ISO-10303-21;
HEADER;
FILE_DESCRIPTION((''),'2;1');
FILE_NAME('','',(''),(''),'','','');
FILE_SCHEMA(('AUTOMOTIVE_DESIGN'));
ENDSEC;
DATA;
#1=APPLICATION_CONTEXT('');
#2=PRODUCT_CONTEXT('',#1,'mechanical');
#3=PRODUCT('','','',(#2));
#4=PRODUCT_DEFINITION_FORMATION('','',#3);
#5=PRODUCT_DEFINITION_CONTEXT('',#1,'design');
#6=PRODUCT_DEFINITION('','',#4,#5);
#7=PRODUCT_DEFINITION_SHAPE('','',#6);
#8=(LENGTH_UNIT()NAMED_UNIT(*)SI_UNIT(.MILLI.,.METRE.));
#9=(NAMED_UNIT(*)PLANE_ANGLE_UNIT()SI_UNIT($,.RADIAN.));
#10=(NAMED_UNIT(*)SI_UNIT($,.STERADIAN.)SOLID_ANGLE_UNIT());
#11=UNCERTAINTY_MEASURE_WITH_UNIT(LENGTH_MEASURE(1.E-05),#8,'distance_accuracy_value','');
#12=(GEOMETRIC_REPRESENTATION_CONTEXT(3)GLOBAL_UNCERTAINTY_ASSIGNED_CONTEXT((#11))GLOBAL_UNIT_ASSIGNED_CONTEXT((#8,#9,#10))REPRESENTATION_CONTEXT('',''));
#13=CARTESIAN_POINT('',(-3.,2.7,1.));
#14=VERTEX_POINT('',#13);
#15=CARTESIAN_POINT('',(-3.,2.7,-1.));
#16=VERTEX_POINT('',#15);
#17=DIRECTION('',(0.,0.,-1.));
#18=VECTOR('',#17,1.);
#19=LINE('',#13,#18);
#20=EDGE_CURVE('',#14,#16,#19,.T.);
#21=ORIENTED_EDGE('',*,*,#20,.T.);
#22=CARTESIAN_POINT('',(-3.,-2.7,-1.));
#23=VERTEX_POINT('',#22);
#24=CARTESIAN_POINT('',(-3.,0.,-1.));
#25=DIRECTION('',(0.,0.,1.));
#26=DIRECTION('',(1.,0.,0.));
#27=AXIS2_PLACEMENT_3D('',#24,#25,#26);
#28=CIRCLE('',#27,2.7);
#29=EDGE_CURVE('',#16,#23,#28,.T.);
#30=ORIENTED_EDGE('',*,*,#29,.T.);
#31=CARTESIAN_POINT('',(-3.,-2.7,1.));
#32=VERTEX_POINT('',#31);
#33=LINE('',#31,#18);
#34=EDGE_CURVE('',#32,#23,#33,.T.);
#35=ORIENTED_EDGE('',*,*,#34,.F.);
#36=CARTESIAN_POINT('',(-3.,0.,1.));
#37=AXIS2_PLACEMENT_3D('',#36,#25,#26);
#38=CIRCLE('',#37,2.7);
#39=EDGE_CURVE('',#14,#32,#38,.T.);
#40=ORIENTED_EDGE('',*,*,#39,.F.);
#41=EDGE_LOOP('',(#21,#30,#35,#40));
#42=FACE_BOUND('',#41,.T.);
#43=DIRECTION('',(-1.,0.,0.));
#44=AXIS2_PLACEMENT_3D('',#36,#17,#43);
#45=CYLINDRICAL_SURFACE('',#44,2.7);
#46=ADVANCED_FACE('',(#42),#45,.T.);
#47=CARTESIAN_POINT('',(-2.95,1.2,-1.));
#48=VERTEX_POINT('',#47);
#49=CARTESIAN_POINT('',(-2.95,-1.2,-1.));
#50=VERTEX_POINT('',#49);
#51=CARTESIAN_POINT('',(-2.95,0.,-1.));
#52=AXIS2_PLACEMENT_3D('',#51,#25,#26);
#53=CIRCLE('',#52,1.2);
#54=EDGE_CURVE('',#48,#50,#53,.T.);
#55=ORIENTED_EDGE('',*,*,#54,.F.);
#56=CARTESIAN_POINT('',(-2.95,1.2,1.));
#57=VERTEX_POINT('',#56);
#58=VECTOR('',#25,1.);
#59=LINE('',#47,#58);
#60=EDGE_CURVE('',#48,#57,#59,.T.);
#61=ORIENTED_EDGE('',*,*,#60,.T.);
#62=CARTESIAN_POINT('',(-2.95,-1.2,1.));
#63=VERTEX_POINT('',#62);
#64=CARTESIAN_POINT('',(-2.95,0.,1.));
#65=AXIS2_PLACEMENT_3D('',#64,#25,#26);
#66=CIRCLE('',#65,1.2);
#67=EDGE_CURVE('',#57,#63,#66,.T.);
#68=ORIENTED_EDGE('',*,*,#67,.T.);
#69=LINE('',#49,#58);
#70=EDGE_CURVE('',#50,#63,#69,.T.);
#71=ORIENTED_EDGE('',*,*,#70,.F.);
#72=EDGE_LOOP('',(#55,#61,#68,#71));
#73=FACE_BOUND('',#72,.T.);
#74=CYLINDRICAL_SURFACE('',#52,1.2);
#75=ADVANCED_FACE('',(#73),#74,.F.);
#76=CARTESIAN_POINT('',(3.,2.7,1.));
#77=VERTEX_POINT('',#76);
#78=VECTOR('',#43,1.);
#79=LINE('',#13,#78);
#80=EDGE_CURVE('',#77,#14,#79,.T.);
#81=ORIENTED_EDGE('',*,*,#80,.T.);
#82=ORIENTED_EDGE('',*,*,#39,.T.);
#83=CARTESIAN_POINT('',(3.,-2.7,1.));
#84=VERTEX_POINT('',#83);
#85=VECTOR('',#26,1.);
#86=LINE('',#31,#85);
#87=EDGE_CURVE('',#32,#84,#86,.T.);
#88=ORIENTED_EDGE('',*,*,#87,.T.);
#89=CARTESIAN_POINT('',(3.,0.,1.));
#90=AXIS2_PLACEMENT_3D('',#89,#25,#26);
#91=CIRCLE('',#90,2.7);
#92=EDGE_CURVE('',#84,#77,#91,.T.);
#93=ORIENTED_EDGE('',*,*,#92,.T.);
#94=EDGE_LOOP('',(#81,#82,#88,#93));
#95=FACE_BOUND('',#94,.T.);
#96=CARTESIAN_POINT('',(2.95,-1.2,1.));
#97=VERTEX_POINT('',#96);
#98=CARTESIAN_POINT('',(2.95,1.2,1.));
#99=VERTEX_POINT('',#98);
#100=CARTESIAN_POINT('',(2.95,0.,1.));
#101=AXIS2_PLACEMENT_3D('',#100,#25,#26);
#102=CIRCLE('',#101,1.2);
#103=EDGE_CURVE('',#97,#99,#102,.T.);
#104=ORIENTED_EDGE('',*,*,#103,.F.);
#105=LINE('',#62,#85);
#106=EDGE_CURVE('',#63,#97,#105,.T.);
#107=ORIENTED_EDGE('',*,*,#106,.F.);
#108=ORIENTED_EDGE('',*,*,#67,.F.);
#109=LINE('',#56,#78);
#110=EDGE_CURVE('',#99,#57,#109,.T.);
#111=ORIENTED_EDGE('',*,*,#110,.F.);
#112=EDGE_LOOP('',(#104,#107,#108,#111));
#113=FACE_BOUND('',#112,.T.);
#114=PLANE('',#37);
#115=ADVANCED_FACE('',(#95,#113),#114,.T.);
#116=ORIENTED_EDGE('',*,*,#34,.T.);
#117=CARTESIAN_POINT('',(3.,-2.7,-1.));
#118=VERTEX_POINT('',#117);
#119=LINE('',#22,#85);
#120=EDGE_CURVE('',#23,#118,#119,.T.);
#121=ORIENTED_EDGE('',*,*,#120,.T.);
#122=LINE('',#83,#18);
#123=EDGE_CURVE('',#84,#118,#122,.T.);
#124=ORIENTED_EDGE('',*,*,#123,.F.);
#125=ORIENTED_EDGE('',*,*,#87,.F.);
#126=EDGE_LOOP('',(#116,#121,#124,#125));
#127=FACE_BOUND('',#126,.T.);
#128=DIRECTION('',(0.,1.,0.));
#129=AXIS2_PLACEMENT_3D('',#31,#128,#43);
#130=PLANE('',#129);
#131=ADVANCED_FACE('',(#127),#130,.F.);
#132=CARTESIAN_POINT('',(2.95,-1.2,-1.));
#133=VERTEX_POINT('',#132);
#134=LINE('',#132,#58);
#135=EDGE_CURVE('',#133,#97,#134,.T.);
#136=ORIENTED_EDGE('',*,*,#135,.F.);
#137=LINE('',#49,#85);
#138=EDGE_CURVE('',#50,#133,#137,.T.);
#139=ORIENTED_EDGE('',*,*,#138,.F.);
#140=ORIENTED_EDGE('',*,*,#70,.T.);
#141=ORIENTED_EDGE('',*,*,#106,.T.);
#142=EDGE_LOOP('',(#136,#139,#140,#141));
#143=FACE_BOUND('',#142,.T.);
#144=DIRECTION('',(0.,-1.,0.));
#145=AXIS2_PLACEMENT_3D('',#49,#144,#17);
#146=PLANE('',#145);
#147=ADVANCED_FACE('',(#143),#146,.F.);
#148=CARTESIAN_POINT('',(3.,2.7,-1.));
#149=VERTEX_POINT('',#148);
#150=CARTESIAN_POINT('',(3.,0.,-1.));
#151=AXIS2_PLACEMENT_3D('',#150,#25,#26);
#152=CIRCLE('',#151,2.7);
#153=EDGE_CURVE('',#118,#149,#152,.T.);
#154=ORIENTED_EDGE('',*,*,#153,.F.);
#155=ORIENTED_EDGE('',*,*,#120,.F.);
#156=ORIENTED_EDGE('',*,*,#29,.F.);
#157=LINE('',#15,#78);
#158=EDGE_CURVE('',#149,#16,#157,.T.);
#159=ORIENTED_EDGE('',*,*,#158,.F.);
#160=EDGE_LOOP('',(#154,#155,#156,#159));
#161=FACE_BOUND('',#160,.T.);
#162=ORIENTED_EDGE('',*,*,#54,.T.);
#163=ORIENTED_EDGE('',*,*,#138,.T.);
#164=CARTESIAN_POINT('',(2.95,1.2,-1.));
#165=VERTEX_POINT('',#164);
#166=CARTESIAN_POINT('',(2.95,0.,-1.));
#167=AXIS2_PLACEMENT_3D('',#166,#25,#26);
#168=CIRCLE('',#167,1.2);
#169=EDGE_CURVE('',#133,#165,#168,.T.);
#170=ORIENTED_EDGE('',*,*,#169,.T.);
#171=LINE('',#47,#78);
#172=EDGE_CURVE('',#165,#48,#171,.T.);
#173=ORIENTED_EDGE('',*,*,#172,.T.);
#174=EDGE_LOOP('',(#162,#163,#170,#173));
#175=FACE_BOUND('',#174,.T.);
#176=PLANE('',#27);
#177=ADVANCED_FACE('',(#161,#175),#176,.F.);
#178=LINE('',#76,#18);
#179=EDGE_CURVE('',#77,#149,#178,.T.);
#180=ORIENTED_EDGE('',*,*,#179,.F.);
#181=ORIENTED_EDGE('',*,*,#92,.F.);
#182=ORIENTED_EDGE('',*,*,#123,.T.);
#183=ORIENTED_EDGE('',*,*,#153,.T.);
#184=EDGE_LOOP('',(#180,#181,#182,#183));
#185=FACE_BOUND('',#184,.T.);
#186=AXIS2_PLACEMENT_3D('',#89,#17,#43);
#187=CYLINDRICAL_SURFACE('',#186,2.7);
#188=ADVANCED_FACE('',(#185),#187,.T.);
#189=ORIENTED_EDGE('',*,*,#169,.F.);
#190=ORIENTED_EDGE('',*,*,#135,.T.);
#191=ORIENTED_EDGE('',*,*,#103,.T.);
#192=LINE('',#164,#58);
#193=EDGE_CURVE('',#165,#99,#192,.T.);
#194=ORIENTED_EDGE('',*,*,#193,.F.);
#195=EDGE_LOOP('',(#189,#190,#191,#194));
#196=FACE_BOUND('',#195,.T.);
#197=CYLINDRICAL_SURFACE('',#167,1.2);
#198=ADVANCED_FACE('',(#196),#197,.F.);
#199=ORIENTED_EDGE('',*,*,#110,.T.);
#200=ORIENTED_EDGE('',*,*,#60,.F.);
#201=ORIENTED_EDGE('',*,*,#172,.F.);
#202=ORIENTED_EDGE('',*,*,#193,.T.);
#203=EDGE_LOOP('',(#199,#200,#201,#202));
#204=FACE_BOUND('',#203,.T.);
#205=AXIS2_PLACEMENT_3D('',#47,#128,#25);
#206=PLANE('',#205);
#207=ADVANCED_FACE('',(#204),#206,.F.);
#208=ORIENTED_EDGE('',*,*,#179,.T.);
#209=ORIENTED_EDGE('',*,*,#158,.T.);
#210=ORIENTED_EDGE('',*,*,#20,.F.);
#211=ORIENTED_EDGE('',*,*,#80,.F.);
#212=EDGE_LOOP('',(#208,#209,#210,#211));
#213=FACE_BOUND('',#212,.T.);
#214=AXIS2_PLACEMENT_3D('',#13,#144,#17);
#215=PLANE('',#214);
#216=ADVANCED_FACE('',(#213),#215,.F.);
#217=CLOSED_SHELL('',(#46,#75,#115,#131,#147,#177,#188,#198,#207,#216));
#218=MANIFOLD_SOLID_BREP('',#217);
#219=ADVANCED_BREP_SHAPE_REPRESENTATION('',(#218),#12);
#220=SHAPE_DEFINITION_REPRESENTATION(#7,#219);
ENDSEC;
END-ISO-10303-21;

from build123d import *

# Parameters (mm, degrees)
PROFILE_DEPTH         = 1
USBCCUTOUT_DEPTH      = 7.385922016
USBCCUTOUT_DEPTH_BACK = 7.385922016


with BuildPart() as part:
    # ProfileS → Profile (new, symmetric)
    with BuildSketch(Plane.XY):
        with BuildLine():
            Line((-3, 2.7), (3, 2.7))
            ThreePointArc((3, 2.7), (5.7, 0), (3, -2.7))
            Line((3, -2.7), (-3, -2.7))
            ThreePointArc((-3, -2.7), (-5.7, 0), (-3, 2.7))
        make_face()
    extrude(amount=PROFILE_DEPTH, both=True)

    # USBCCutoutS → USBCCutout (cut, two sides: drawn at the far end of the back side and taken through both)
    with BuildSketch(Plane.XY.offset(-USBCCUTOUT_DEPTH_BACK)):
        with BuildLine():
            Line((-2.95, 1.2), (2.95, 1.2))
            ThreePointArc((2.95, 1.2), (4.15, 0), (2.95, -1.2))
            Line((2.95, -1.2), (-2.95, -1.2))
            ThreePointArc((-2.95, -1.2), (-4.15, 0), (-2.95, 1.2))
        make_face()
    extrude(amount=USBCCUTOUT_DEPTH + USBCCUTOUT_DEPTH_BACK, mode=Mode.SUBTRACT)


solid = part.part
